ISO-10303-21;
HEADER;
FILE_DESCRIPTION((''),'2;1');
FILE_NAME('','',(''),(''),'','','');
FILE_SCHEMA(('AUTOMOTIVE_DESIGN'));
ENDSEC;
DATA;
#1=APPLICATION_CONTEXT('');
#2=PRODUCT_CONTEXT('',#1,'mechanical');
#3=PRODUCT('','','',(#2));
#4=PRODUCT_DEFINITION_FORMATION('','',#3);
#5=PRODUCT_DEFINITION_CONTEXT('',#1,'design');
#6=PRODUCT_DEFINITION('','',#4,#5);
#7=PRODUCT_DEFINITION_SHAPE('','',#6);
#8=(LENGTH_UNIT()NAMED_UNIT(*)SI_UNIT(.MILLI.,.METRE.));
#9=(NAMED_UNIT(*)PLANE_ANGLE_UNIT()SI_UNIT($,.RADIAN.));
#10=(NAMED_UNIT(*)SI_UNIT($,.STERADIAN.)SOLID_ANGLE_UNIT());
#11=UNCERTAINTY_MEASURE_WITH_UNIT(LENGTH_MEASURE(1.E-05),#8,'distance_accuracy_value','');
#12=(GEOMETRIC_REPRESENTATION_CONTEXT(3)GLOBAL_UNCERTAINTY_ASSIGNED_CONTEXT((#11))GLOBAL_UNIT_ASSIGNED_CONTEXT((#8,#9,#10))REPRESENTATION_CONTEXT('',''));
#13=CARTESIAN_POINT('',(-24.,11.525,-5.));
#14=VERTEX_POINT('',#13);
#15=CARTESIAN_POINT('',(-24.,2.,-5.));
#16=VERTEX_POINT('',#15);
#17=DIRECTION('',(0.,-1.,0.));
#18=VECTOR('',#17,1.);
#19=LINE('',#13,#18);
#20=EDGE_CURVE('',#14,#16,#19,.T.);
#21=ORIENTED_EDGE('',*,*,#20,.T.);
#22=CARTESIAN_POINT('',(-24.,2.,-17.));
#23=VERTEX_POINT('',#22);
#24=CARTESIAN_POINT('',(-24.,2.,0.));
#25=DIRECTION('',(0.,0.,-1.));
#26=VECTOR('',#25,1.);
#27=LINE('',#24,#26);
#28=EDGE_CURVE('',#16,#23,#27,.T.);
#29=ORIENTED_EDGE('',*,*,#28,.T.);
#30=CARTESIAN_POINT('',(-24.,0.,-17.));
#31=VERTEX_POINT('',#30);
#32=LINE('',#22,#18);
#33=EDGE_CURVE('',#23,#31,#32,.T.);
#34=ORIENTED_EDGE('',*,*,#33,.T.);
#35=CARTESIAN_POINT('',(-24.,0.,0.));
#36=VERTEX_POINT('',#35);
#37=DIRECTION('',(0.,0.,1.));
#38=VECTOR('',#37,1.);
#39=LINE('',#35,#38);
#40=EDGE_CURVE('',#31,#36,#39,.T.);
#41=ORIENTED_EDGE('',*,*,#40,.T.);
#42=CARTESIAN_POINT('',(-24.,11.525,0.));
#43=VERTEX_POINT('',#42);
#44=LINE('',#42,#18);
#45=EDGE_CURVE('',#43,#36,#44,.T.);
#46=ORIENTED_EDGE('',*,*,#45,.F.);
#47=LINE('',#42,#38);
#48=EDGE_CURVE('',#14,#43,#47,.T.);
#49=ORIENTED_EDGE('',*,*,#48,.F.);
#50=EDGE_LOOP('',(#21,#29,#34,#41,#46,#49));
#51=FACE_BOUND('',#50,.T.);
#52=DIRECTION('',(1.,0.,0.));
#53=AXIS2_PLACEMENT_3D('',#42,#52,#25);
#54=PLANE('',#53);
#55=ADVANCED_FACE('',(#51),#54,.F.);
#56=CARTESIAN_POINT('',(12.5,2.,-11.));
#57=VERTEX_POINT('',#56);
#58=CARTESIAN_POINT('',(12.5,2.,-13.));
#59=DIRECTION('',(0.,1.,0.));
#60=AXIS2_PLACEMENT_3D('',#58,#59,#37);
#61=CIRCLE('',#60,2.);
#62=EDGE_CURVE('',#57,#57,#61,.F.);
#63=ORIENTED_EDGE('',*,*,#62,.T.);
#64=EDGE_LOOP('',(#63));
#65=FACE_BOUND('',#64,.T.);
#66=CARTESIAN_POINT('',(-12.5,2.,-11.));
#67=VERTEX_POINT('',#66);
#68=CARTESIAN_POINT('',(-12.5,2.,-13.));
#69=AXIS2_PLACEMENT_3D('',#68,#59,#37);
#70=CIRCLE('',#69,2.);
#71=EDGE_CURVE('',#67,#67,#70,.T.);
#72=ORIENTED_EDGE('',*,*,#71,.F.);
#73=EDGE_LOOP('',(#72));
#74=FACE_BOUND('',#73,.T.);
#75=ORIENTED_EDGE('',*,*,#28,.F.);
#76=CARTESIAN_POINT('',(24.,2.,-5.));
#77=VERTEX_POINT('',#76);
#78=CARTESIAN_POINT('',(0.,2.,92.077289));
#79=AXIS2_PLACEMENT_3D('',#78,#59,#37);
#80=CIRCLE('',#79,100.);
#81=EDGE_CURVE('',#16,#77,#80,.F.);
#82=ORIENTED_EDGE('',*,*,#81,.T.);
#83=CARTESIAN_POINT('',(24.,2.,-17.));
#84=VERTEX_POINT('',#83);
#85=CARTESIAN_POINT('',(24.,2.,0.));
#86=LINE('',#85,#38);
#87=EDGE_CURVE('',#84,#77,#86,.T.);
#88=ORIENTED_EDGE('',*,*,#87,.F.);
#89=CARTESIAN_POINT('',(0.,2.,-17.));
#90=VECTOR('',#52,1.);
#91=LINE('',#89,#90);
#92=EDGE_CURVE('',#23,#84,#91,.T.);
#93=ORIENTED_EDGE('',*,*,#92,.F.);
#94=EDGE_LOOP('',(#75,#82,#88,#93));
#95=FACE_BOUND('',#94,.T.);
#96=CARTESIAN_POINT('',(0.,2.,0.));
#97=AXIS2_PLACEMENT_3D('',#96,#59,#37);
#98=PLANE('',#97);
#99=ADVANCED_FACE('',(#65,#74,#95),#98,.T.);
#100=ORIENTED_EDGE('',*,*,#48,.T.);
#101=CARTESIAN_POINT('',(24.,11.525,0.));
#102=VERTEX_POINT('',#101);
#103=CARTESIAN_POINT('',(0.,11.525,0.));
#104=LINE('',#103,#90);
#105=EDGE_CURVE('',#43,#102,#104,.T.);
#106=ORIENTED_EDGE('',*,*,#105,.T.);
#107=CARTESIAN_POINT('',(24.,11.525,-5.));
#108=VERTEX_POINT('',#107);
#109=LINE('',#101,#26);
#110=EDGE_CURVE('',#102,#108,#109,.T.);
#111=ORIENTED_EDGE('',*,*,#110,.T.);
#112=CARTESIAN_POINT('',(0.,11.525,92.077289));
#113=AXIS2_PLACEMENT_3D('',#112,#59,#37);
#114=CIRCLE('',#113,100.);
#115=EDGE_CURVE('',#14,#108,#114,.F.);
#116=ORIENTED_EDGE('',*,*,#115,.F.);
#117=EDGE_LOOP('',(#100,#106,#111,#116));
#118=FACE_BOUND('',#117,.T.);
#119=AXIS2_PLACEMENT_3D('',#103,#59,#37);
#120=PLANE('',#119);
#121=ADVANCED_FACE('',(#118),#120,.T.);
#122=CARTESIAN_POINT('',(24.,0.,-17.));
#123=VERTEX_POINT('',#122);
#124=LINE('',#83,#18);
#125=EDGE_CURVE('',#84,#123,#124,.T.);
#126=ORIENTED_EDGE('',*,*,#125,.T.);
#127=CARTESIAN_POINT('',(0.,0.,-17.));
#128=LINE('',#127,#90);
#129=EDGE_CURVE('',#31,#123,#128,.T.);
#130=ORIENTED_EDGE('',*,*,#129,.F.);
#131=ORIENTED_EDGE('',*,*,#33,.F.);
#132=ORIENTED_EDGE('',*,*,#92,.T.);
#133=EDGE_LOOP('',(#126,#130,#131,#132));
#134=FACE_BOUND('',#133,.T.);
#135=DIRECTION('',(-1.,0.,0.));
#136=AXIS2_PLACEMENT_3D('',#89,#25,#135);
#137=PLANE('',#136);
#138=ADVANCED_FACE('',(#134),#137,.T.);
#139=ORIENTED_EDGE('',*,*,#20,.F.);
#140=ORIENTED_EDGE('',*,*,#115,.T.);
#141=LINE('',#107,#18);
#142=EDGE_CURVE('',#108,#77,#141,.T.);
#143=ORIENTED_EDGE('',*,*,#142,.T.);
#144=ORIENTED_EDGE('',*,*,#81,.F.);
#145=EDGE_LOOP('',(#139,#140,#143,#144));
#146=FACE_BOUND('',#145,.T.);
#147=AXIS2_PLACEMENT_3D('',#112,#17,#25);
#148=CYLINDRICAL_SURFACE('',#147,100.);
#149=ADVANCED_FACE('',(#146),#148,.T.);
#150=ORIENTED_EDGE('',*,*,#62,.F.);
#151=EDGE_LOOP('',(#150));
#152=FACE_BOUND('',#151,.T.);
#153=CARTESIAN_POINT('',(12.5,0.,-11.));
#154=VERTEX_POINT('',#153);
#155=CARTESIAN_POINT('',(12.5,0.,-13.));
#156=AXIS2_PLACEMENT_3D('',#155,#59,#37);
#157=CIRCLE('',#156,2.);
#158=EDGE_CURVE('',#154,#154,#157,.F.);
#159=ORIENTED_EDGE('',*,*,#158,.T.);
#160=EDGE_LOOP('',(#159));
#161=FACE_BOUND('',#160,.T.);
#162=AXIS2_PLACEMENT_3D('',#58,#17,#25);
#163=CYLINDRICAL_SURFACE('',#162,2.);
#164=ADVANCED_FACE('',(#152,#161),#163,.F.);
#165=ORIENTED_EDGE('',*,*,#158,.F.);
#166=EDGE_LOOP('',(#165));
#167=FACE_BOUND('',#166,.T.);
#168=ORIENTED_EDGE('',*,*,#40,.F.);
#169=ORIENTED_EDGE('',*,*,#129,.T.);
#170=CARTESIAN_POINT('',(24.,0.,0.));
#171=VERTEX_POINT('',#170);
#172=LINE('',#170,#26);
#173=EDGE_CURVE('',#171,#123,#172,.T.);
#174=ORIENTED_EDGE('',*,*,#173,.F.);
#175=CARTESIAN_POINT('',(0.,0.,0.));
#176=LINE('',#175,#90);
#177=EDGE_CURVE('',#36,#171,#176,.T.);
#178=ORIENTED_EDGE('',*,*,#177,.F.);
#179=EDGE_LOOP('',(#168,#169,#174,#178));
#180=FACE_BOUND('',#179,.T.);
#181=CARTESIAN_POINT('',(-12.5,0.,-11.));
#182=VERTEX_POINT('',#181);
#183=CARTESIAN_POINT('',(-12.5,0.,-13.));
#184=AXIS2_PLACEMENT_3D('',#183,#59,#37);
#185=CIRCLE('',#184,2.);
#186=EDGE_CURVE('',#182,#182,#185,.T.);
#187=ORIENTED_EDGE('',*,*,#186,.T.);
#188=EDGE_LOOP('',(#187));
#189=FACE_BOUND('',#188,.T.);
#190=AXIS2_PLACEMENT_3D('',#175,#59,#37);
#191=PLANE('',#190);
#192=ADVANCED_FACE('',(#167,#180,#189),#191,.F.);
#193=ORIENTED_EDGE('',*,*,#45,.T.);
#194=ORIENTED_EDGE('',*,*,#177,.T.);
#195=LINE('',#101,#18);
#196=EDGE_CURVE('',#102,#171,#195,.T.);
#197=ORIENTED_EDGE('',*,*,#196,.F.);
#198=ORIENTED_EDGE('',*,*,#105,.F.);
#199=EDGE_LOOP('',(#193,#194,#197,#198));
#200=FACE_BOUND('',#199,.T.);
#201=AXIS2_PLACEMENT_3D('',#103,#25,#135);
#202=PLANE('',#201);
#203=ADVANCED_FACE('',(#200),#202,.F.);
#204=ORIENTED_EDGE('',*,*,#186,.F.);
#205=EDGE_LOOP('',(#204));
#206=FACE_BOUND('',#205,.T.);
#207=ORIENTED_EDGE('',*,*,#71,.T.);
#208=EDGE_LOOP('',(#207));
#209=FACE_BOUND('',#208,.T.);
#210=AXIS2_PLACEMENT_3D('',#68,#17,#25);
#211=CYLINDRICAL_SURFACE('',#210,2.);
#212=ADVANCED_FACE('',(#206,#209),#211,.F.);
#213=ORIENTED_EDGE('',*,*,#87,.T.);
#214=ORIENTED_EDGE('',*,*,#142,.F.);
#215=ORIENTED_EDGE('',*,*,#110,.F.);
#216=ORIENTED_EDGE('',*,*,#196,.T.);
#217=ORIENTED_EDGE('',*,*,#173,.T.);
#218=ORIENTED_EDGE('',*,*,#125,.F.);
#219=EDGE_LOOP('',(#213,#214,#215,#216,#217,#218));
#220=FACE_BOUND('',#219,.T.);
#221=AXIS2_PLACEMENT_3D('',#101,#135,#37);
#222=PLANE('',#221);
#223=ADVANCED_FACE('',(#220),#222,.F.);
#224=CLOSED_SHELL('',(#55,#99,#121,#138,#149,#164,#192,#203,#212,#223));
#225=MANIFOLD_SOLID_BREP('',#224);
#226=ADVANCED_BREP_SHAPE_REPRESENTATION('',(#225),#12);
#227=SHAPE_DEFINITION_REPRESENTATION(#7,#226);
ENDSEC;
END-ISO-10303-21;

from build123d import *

# Parameters (mm, degrees)
BOSS_EXTRUDE1_DEPTH = 11.525
SKETCH1_3_R         = 2
BOSS_EXTRUDE2_DEPTH = 2


with BuildPart() as part:
    # Sketch1 → Boss-Extrude1 (new body)
    with BuildSketch(Plane(origin=(0, 0, 0), x_dir=(1, 0, 0), z_dir=(0, 1, 0))):
        with BuildLine():
            Line((-24, 5), (-24, 0))
            Line((-24, 0), (24, 0))
            Line((24, 0), (24, 5))
            ThreePointArc((24, 5), (0, 7.922711204), (-24, 5))
        make_face()
    extrude(amount=BOSS_EXTRUDE1_DEPTH)

    # Sketch1<3> → Boss-Extrude2 (add)
    with BuildSketch(Plane(origin=(0, 0, 0), x_dir=(1, 0, 0), z_dir=(0, 1, 0))):
        with BuildLine():
            Line((-24, 17), (-24, 5))
            ThreePointArc((-24, 5), (0, 7.922711204), (24, 5))
            Line((24, 5), (24, 17))
            Line((24, 17), (-24, 17))
        make_face()
        with Locations((-12.5, 13)):
            Circle(SKETCH1_3_R, mode=Mode.SUBTRACT)
        with Locations((12.5, 13)):
            Circle(SKETCH1_3_R, mode=Mode.SUBTRACT)
    extrude(amount=BOSS_EXTRUDE2_DEPTH)


solid = part.part
